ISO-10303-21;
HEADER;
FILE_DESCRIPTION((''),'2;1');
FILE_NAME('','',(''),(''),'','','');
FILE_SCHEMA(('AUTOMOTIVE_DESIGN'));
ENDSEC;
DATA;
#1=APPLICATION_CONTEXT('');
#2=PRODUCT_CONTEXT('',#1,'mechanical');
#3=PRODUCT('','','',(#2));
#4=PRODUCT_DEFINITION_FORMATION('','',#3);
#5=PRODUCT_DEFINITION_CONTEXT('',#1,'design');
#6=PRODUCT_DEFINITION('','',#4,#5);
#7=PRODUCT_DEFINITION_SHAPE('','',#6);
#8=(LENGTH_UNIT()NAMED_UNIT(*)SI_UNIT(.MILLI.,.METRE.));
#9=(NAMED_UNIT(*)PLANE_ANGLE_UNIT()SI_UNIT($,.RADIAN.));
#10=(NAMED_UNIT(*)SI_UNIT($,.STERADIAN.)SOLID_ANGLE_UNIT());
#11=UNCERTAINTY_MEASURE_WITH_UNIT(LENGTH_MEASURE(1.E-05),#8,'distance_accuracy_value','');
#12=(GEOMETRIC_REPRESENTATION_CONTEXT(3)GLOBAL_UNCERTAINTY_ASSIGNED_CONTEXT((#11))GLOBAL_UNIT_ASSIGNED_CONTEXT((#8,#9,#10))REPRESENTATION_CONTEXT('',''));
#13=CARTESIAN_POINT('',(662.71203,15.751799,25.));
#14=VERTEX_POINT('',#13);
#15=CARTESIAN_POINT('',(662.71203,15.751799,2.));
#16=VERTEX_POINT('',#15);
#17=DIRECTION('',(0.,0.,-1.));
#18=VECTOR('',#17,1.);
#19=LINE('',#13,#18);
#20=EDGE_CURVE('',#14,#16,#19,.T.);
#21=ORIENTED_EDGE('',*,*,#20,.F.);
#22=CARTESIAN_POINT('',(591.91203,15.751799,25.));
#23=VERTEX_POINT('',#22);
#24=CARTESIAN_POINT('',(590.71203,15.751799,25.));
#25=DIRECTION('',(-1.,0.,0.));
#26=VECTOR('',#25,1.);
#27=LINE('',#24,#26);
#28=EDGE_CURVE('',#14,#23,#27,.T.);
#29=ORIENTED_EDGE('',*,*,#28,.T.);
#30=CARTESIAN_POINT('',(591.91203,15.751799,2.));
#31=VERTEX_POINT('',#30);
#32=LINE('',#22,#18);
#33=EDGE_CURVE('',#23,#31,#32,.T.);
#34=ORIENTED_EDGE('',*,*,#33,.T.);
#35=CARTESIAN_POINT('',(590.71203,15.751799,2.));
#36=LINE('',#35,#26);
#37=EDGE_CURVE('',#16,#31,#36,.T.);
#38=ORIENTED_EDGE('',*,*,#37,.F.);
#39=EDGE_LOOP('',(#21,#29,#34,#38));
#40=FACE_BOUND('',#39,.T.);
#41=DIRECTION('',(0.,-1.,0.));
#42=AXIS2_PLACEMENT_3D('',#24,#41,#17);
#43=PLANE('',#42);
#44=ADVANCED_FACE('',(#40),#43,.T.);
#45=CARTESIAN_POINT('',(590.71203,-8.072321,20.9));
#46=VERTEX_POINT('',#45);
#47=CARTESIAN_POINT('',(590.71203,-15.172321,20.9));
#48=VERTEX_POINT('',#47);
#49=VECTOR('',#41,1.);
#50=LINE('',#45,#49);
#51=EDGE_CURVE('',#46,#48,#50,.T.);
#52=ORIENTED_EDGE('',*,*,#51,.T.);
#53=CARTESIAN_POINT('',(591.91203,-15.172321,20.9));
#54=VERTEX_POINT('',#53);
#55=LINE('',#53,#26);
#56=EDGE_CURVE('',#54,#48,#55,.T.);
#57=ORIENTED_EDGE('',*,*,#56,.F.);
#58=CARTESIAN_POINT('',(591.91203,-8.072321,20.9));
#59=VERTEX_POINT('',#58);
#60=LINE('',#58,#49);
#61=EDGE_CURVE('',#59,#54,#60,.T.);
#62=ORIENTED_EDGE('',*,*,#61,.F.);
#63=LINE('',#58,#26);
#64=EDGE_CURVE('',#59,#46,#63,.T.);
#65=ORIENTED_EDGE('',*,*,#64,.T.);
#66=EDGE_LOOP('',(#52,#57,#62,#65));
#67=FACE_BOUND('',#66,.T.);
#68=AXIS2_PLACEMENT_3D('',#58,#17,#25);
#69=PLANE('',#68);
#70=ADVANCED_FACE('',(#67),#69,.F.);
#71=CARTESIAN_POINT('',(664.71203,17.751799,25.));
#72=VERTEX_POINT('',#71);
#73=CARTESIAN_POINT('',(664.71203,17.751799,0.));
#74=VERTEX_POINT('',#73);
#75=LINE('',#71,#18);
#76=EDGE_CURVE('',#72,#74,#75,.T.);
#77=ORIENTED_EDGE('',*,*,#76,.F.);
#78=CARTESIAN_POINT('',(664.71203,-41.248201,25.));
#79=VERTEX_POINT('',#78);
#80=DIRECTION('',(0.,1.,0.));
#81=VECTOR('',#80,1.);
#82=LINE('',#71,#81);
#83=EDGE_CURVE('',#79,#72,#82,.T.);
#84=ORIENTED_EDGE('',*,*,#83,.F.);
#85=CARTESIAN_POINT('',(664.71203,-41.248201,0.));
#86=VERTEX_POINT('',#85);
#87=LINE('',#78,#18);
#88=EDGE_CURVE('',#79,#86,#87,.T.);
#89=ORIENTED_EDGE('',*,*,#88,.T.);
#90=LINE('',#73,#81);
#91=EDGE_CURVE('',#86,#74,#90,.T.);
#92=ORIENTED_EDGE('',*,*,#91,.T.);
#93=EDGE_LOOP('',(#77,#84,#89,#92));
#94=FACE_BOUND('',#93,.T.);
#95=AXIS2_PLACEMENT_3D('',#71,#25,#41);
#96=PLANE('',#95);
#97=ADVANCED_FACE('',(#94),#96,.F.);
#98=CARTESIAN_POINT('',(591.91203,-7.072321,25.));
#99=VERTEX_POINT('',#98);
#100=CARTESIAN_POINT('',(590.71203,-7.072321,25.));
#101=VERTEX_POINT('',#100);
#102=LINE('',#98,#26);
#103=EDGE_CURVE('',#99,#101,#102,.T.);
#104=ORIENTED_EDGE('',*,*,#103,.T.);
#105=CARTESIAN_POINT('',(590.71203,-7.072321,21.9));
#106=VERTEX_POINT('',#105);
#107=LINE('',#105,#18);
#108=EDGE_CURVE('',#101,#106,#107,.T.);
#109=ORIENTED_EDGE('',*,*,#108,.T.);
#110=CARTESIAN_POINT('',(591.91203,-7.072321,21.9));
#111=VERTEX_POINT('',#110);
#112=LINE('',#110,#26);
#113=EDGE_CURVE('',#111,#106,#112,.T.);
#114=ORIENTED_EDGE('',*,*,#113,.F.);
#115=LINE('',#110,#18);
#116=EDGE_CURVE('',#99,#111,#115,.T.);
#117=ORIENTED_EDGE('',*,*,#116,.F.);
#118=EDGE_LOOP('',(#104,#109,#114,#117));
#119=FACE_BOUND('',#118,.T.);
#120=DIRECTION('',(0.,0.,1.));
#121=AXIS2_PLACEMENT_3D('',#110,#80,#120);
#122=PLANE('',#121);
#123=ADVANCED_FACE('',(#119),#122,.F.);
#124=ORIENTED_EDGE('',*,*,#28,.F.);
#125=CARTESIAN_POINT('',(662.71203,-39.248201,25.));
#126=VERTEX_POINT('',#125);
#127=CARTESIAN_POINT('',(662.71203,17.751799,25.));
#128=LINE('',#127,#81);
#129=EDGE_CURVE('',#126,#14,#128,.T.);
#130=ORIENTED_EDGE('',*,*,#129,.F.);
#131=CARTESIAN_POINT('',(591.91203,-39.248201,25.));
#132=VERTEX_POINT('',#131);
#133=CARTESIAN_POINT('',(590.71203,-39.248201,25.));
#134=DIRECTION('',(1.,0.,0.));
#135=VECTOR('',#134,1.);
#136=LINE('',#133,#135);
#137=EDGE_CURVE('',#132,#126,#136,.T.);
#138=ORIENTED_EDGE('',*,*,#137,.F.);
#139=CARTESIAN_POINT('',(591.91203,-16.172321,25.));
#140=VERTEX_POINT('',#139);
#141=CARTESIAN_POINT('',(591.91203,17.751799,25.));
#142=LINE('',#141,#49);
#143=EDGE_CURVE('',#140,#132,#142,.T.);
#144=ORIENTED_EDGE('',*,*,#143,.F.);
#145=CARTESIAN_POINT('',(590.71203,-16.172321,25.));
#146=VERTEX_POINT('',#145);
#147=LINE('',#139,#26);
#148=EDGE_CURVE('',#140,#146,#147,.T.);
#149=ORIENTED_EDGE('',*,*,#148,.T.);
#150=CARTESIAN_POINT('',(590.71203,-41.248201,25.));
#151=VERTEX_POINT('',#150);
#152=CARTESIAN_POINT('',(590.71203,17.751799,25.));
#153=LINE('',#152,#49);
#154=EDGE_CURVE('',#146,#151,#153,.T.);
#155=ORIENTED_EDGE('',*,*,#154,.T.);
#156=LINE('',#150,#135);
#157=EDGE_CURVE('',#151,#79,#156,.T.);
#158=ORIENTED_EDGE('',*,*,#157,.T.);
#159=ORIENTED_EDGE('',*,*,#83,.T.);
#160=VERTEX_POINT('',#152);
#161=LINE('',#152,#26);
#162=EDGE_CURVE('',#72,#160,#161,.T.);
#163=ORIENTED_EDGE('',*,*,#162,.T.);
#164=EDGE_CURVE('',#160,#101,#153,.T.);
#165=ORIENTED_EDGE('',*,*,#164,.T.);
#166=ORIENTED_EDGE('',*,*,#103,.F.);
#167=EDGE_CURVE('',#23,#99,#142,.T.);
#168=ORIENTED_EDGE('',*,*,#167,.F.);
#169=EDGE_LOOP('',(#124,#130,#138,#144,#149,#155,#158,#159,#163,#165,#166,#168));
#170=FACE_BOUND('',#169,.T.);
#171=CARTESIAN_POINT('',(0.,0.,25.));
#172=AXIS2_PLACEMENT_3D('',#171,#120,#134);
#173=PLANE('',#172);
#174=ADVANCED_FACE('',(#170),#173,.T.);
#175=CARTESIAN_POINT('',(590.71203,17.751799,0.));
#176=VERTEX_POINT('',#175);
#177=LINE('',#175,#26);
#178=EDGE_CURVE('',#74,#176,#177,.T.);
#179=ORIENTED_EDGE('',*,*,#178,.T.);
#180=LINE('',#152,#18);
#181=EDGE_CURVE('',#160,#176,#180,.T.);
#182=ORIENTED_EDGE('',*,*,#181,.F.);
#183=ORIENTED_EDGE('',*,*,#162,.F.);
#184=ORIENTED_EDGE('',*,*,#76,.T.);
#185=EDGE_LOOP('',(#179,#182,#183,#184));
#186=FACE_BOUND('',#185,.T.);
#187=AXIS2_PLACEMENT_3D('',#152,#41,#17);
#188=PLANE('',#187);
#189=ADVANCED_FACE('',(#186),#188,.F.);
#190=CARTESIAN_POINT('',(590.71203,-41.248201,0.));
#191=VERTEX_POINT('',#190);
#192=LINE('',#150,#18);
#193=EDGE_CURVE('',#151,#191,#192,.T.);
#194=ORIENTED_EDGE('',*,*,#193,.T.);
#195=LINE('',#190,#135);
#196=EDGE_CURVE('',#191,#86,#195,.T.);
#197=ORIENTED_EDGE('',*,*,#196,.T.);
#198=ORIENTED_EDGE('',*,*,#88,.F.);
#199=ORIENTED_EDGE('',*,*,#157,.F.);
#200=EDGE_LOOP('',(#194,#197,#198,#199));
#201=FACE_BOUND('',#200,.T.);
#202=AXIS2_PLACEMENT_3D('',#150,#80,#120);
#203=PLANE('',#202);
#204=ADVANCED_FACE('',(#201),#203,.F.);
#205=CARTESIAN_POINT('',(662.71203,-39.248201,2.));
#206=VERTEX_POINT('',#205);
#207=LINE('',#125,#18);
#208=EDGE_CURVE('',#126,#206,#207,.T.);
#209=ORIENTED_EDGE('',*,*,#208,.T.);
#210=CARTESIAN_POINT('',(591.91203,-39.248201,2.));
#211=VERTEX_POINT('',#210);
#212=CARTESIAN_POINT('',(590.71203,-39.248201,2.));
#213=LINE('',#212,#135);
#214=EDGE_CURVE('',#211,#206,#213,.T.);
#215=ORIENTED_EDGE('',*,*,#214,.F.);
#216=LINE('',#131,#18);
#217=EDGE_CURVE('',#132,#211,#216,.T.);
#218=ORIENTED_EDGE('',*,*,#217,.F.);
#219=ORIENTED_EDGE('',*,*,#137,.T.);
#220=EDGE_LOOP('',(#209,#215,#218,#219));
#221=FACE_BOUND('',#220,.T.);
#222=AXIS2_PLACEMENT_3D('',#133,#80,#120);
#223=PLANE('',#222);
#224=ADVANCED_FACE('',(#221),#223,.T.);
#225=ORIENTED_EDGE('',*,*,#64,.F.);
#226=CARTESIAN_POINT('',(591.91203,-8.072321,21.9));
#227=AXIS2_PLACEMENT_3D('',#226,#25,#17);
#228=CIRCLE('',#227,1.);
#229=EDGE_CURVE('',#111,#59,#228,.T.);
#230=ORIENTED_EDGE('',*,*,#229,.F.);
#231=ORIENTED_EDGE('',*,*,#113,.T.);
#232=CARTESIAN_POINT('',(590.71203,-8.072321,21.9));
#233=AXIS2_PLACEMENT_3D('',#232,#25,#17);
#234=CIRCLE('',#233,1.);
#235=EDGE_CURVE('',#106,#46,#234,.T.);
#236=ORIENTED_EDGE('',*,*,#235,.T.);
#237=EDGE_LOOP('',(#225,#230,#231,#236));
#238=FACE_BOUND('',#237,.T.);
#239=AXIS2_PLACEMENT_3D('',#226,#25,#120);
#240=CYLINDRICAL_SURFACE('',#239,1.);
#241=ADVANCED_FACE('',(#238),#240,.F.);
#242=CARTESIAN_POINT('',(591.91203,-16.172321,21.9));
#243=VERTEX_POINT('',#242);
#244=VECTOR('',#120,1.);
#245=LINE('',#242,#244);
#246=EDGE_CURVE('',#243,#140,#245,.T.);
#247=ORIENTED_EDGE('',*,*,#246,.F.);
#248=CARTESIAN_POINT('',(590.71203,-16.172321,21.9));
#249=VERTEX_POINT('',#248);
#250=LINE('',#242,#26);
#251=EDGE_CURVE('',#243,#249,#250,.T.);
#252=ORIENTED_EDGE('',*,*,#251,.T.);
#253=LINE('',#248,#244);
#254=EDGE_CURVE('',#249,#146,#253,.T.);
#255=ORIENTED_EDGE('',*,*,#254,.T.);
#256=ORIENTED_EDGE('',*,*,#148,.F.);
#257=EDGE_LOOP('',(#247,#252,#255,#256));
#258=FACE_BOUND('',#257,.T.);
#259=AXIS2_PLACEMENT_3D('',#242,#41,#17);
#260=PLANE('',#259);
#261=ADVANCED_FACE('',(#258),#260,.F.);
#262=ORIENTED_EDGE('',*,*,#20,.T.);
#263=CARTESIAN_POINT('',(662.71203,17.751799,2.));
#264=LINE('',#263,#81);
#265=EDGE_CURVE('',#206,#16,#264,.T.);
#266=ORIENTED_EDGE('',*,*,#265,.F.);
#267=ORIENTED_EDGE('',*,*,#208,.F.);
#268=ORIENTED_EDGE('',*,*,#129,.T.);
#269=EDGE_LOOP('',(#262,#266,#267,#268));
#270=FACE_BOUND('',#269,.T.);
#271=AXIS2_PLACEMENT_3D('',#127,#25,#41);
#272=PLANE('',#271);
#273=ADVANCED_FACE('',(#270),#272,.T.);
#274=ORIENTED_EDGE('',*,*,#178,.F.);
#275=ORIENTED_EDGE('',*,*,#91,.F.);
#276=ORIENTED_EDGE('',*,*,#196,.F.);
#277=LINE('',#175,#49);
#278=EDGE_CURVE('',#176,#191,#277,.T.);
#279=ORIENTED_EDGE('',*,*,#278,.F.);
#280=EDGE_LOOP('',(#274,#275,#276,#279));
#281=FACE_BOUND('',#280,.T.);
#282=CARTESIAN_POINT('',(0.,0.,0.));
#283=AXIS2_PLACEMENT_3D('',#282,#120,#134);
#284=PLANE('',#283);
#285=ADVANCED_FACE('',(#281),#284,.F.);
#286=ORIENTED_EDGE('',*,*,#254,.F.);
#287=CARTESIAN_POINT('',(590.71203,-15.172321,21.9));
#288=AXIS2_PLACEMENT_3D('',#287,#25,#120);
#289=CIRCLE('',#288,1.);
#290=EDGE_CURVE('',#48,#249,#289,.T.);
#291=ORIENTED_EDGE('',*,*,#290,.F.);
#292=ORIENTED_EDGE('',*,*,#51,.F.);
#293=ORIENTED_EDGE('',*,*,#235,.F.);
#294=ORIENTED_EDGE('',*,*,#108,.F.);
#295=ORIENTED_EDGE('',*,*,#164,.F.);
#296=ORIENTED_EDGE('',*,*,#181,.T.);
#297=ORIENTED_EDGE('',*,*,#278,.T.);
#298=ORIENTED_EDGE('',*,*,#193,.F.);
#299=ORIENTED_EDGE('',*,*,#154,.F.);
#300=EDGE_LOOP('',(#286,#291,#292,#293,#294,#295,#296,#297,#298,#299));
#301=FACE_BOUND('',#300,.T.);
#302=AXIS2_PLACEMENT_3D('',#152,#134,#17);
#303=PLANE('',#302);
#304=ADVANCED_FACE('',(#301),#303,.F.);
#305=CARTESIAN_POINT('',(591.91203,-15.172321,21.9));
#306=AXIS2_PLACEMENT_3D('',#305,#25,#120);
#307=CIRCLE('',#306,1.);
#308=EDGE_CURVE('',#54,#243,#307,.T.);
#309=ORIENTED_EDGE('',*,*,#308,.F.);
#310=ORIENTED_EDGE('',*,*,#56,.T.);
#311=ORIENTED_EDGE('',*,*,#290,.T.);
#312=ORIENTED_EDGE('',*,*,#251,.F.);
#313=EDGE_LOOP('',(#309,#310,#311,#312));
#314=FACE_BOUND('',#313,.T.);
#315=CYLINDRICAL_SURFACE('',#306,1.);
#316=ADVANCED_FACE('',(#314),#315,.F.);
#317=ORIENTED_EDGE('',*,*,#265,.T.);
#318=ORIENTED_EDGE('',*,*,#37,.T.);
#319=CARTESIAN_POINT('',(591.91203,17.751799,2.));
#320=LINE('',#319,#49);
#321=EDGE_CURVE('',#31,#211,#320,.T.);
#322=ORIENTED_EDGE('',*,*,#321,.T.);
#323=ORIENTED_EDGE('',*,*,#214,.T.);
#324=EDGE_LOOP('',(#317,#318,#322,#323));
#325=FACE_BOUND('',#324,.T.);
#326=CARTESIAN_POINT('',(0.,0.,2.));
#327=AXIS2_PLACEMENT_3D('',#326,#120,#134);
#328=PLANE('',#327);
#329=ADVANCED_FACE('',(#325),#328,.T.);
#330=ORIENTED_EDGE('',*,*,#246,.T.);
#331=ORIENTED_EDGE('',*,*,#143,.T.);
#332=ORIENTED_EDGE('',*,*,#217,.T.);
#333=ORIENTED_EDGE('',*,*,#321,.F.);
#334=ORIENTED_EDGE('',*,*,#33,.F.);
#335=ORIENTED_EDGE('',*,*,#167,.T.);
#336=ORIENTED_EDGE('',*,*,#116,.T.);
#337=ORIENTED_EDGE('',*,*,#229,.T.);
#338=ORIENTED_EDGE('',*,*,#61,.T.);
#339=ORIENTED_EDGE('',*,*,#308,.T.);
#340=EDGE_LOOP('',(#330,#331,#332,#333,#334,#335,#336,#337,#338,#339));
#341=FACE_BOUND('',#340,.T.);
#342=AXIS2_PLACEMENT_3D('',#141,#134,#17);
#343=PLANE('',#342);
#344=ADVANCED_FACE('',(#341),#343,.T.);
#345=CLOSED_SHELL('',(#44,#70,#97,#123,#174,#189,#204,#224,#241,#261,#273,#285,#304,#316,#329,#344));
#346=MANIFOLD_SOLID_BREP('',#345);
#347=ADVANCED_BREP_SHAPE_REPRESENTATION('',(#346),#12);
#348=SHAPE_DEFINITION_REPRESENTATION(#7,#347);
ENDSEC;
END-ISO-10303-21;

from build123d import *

# Parameters (mm, degrees)
CROQUIS1_W                  = 74
CROQUIS1_H                  = 59
SALIENTE_EXTRUIR1_DEPTH     = 25
VACIADO1_T                  = -2
VACIADO1_THICKNESS_2_FACE_W = 23
VACIADO1_THICKNESS_2_FACE_H = 55
VACIADO1_THICKNESS_2_DEPTH  = 0.8
CORTAR_EXTRUIR1_DEPTH       = 1.2


with BuildPart() as part:
    # Croquis1 → Saliente-Extruir1 (new body)
    with BuildSketch(Plane.XY):
        with Locations((627.712029931, -11.748201439)):
            Rectangle(CROQUIS1_W, CROQUIS1_H)
    extrude(amount=SALIENTE_EXTRUIR1_DEPTH)

    # Vaciado1
    vaciado1_openings = [part.faces().sort_by_distance(p)[0] for p in [
        (627.712029931, -11.748201439, 25),
    ]]
    offset(amount=VACIADO1_T, openings=vaciado1_openings, kind=Kind.INTERSECTION)

    # Vaciado1 thickness 2 face (on inner face of the shell) → Vaciado1 thickness 2 (cut)
    with BuildSketch(Plane(origin=(592.712029931, -11.748201439, 13.5), x_dir=(0, 0, -1), z_dir=(-1, 0, 0))):
        Rectangle(VACIADO1_THICKNESS_2_FACE_W, VACIADO1_THICKNESS_2_FACE_H)
    extrude(amount=VACIADO1_THICKNESS_2_DEPTH, mode=Mode.SUBTRACT)

    # Croquis2 → Cortar-Extruir1 (cut)
    with BuildSketch(Plane.ZY.offset(-590.712029931)):
        with BuildLine():
            Line((21.9, -7.072321113), (25, -7.072321113))
            Line((25, -7.072321113), (25, -16.172321113))
            Line((25, -16.172321113), (21.9, -16.172321113))
            ThreePointArc((21.9, -16.172321113), (21.192893219, -15.879427895), (20.9, -15.172321113))
            Line((20.9, -15.172321113), (20.9, -8.072321113))
            ThreePointArc((20.9, -8.072321113), (21.192893219, -7.365214332), (21.9, -7.072321113))
        make_face()
    extrude(amount=-CORTAR_EXTRUIR1_DEPTH, mode=Mode.SUBTRACT)


solid = part.part
